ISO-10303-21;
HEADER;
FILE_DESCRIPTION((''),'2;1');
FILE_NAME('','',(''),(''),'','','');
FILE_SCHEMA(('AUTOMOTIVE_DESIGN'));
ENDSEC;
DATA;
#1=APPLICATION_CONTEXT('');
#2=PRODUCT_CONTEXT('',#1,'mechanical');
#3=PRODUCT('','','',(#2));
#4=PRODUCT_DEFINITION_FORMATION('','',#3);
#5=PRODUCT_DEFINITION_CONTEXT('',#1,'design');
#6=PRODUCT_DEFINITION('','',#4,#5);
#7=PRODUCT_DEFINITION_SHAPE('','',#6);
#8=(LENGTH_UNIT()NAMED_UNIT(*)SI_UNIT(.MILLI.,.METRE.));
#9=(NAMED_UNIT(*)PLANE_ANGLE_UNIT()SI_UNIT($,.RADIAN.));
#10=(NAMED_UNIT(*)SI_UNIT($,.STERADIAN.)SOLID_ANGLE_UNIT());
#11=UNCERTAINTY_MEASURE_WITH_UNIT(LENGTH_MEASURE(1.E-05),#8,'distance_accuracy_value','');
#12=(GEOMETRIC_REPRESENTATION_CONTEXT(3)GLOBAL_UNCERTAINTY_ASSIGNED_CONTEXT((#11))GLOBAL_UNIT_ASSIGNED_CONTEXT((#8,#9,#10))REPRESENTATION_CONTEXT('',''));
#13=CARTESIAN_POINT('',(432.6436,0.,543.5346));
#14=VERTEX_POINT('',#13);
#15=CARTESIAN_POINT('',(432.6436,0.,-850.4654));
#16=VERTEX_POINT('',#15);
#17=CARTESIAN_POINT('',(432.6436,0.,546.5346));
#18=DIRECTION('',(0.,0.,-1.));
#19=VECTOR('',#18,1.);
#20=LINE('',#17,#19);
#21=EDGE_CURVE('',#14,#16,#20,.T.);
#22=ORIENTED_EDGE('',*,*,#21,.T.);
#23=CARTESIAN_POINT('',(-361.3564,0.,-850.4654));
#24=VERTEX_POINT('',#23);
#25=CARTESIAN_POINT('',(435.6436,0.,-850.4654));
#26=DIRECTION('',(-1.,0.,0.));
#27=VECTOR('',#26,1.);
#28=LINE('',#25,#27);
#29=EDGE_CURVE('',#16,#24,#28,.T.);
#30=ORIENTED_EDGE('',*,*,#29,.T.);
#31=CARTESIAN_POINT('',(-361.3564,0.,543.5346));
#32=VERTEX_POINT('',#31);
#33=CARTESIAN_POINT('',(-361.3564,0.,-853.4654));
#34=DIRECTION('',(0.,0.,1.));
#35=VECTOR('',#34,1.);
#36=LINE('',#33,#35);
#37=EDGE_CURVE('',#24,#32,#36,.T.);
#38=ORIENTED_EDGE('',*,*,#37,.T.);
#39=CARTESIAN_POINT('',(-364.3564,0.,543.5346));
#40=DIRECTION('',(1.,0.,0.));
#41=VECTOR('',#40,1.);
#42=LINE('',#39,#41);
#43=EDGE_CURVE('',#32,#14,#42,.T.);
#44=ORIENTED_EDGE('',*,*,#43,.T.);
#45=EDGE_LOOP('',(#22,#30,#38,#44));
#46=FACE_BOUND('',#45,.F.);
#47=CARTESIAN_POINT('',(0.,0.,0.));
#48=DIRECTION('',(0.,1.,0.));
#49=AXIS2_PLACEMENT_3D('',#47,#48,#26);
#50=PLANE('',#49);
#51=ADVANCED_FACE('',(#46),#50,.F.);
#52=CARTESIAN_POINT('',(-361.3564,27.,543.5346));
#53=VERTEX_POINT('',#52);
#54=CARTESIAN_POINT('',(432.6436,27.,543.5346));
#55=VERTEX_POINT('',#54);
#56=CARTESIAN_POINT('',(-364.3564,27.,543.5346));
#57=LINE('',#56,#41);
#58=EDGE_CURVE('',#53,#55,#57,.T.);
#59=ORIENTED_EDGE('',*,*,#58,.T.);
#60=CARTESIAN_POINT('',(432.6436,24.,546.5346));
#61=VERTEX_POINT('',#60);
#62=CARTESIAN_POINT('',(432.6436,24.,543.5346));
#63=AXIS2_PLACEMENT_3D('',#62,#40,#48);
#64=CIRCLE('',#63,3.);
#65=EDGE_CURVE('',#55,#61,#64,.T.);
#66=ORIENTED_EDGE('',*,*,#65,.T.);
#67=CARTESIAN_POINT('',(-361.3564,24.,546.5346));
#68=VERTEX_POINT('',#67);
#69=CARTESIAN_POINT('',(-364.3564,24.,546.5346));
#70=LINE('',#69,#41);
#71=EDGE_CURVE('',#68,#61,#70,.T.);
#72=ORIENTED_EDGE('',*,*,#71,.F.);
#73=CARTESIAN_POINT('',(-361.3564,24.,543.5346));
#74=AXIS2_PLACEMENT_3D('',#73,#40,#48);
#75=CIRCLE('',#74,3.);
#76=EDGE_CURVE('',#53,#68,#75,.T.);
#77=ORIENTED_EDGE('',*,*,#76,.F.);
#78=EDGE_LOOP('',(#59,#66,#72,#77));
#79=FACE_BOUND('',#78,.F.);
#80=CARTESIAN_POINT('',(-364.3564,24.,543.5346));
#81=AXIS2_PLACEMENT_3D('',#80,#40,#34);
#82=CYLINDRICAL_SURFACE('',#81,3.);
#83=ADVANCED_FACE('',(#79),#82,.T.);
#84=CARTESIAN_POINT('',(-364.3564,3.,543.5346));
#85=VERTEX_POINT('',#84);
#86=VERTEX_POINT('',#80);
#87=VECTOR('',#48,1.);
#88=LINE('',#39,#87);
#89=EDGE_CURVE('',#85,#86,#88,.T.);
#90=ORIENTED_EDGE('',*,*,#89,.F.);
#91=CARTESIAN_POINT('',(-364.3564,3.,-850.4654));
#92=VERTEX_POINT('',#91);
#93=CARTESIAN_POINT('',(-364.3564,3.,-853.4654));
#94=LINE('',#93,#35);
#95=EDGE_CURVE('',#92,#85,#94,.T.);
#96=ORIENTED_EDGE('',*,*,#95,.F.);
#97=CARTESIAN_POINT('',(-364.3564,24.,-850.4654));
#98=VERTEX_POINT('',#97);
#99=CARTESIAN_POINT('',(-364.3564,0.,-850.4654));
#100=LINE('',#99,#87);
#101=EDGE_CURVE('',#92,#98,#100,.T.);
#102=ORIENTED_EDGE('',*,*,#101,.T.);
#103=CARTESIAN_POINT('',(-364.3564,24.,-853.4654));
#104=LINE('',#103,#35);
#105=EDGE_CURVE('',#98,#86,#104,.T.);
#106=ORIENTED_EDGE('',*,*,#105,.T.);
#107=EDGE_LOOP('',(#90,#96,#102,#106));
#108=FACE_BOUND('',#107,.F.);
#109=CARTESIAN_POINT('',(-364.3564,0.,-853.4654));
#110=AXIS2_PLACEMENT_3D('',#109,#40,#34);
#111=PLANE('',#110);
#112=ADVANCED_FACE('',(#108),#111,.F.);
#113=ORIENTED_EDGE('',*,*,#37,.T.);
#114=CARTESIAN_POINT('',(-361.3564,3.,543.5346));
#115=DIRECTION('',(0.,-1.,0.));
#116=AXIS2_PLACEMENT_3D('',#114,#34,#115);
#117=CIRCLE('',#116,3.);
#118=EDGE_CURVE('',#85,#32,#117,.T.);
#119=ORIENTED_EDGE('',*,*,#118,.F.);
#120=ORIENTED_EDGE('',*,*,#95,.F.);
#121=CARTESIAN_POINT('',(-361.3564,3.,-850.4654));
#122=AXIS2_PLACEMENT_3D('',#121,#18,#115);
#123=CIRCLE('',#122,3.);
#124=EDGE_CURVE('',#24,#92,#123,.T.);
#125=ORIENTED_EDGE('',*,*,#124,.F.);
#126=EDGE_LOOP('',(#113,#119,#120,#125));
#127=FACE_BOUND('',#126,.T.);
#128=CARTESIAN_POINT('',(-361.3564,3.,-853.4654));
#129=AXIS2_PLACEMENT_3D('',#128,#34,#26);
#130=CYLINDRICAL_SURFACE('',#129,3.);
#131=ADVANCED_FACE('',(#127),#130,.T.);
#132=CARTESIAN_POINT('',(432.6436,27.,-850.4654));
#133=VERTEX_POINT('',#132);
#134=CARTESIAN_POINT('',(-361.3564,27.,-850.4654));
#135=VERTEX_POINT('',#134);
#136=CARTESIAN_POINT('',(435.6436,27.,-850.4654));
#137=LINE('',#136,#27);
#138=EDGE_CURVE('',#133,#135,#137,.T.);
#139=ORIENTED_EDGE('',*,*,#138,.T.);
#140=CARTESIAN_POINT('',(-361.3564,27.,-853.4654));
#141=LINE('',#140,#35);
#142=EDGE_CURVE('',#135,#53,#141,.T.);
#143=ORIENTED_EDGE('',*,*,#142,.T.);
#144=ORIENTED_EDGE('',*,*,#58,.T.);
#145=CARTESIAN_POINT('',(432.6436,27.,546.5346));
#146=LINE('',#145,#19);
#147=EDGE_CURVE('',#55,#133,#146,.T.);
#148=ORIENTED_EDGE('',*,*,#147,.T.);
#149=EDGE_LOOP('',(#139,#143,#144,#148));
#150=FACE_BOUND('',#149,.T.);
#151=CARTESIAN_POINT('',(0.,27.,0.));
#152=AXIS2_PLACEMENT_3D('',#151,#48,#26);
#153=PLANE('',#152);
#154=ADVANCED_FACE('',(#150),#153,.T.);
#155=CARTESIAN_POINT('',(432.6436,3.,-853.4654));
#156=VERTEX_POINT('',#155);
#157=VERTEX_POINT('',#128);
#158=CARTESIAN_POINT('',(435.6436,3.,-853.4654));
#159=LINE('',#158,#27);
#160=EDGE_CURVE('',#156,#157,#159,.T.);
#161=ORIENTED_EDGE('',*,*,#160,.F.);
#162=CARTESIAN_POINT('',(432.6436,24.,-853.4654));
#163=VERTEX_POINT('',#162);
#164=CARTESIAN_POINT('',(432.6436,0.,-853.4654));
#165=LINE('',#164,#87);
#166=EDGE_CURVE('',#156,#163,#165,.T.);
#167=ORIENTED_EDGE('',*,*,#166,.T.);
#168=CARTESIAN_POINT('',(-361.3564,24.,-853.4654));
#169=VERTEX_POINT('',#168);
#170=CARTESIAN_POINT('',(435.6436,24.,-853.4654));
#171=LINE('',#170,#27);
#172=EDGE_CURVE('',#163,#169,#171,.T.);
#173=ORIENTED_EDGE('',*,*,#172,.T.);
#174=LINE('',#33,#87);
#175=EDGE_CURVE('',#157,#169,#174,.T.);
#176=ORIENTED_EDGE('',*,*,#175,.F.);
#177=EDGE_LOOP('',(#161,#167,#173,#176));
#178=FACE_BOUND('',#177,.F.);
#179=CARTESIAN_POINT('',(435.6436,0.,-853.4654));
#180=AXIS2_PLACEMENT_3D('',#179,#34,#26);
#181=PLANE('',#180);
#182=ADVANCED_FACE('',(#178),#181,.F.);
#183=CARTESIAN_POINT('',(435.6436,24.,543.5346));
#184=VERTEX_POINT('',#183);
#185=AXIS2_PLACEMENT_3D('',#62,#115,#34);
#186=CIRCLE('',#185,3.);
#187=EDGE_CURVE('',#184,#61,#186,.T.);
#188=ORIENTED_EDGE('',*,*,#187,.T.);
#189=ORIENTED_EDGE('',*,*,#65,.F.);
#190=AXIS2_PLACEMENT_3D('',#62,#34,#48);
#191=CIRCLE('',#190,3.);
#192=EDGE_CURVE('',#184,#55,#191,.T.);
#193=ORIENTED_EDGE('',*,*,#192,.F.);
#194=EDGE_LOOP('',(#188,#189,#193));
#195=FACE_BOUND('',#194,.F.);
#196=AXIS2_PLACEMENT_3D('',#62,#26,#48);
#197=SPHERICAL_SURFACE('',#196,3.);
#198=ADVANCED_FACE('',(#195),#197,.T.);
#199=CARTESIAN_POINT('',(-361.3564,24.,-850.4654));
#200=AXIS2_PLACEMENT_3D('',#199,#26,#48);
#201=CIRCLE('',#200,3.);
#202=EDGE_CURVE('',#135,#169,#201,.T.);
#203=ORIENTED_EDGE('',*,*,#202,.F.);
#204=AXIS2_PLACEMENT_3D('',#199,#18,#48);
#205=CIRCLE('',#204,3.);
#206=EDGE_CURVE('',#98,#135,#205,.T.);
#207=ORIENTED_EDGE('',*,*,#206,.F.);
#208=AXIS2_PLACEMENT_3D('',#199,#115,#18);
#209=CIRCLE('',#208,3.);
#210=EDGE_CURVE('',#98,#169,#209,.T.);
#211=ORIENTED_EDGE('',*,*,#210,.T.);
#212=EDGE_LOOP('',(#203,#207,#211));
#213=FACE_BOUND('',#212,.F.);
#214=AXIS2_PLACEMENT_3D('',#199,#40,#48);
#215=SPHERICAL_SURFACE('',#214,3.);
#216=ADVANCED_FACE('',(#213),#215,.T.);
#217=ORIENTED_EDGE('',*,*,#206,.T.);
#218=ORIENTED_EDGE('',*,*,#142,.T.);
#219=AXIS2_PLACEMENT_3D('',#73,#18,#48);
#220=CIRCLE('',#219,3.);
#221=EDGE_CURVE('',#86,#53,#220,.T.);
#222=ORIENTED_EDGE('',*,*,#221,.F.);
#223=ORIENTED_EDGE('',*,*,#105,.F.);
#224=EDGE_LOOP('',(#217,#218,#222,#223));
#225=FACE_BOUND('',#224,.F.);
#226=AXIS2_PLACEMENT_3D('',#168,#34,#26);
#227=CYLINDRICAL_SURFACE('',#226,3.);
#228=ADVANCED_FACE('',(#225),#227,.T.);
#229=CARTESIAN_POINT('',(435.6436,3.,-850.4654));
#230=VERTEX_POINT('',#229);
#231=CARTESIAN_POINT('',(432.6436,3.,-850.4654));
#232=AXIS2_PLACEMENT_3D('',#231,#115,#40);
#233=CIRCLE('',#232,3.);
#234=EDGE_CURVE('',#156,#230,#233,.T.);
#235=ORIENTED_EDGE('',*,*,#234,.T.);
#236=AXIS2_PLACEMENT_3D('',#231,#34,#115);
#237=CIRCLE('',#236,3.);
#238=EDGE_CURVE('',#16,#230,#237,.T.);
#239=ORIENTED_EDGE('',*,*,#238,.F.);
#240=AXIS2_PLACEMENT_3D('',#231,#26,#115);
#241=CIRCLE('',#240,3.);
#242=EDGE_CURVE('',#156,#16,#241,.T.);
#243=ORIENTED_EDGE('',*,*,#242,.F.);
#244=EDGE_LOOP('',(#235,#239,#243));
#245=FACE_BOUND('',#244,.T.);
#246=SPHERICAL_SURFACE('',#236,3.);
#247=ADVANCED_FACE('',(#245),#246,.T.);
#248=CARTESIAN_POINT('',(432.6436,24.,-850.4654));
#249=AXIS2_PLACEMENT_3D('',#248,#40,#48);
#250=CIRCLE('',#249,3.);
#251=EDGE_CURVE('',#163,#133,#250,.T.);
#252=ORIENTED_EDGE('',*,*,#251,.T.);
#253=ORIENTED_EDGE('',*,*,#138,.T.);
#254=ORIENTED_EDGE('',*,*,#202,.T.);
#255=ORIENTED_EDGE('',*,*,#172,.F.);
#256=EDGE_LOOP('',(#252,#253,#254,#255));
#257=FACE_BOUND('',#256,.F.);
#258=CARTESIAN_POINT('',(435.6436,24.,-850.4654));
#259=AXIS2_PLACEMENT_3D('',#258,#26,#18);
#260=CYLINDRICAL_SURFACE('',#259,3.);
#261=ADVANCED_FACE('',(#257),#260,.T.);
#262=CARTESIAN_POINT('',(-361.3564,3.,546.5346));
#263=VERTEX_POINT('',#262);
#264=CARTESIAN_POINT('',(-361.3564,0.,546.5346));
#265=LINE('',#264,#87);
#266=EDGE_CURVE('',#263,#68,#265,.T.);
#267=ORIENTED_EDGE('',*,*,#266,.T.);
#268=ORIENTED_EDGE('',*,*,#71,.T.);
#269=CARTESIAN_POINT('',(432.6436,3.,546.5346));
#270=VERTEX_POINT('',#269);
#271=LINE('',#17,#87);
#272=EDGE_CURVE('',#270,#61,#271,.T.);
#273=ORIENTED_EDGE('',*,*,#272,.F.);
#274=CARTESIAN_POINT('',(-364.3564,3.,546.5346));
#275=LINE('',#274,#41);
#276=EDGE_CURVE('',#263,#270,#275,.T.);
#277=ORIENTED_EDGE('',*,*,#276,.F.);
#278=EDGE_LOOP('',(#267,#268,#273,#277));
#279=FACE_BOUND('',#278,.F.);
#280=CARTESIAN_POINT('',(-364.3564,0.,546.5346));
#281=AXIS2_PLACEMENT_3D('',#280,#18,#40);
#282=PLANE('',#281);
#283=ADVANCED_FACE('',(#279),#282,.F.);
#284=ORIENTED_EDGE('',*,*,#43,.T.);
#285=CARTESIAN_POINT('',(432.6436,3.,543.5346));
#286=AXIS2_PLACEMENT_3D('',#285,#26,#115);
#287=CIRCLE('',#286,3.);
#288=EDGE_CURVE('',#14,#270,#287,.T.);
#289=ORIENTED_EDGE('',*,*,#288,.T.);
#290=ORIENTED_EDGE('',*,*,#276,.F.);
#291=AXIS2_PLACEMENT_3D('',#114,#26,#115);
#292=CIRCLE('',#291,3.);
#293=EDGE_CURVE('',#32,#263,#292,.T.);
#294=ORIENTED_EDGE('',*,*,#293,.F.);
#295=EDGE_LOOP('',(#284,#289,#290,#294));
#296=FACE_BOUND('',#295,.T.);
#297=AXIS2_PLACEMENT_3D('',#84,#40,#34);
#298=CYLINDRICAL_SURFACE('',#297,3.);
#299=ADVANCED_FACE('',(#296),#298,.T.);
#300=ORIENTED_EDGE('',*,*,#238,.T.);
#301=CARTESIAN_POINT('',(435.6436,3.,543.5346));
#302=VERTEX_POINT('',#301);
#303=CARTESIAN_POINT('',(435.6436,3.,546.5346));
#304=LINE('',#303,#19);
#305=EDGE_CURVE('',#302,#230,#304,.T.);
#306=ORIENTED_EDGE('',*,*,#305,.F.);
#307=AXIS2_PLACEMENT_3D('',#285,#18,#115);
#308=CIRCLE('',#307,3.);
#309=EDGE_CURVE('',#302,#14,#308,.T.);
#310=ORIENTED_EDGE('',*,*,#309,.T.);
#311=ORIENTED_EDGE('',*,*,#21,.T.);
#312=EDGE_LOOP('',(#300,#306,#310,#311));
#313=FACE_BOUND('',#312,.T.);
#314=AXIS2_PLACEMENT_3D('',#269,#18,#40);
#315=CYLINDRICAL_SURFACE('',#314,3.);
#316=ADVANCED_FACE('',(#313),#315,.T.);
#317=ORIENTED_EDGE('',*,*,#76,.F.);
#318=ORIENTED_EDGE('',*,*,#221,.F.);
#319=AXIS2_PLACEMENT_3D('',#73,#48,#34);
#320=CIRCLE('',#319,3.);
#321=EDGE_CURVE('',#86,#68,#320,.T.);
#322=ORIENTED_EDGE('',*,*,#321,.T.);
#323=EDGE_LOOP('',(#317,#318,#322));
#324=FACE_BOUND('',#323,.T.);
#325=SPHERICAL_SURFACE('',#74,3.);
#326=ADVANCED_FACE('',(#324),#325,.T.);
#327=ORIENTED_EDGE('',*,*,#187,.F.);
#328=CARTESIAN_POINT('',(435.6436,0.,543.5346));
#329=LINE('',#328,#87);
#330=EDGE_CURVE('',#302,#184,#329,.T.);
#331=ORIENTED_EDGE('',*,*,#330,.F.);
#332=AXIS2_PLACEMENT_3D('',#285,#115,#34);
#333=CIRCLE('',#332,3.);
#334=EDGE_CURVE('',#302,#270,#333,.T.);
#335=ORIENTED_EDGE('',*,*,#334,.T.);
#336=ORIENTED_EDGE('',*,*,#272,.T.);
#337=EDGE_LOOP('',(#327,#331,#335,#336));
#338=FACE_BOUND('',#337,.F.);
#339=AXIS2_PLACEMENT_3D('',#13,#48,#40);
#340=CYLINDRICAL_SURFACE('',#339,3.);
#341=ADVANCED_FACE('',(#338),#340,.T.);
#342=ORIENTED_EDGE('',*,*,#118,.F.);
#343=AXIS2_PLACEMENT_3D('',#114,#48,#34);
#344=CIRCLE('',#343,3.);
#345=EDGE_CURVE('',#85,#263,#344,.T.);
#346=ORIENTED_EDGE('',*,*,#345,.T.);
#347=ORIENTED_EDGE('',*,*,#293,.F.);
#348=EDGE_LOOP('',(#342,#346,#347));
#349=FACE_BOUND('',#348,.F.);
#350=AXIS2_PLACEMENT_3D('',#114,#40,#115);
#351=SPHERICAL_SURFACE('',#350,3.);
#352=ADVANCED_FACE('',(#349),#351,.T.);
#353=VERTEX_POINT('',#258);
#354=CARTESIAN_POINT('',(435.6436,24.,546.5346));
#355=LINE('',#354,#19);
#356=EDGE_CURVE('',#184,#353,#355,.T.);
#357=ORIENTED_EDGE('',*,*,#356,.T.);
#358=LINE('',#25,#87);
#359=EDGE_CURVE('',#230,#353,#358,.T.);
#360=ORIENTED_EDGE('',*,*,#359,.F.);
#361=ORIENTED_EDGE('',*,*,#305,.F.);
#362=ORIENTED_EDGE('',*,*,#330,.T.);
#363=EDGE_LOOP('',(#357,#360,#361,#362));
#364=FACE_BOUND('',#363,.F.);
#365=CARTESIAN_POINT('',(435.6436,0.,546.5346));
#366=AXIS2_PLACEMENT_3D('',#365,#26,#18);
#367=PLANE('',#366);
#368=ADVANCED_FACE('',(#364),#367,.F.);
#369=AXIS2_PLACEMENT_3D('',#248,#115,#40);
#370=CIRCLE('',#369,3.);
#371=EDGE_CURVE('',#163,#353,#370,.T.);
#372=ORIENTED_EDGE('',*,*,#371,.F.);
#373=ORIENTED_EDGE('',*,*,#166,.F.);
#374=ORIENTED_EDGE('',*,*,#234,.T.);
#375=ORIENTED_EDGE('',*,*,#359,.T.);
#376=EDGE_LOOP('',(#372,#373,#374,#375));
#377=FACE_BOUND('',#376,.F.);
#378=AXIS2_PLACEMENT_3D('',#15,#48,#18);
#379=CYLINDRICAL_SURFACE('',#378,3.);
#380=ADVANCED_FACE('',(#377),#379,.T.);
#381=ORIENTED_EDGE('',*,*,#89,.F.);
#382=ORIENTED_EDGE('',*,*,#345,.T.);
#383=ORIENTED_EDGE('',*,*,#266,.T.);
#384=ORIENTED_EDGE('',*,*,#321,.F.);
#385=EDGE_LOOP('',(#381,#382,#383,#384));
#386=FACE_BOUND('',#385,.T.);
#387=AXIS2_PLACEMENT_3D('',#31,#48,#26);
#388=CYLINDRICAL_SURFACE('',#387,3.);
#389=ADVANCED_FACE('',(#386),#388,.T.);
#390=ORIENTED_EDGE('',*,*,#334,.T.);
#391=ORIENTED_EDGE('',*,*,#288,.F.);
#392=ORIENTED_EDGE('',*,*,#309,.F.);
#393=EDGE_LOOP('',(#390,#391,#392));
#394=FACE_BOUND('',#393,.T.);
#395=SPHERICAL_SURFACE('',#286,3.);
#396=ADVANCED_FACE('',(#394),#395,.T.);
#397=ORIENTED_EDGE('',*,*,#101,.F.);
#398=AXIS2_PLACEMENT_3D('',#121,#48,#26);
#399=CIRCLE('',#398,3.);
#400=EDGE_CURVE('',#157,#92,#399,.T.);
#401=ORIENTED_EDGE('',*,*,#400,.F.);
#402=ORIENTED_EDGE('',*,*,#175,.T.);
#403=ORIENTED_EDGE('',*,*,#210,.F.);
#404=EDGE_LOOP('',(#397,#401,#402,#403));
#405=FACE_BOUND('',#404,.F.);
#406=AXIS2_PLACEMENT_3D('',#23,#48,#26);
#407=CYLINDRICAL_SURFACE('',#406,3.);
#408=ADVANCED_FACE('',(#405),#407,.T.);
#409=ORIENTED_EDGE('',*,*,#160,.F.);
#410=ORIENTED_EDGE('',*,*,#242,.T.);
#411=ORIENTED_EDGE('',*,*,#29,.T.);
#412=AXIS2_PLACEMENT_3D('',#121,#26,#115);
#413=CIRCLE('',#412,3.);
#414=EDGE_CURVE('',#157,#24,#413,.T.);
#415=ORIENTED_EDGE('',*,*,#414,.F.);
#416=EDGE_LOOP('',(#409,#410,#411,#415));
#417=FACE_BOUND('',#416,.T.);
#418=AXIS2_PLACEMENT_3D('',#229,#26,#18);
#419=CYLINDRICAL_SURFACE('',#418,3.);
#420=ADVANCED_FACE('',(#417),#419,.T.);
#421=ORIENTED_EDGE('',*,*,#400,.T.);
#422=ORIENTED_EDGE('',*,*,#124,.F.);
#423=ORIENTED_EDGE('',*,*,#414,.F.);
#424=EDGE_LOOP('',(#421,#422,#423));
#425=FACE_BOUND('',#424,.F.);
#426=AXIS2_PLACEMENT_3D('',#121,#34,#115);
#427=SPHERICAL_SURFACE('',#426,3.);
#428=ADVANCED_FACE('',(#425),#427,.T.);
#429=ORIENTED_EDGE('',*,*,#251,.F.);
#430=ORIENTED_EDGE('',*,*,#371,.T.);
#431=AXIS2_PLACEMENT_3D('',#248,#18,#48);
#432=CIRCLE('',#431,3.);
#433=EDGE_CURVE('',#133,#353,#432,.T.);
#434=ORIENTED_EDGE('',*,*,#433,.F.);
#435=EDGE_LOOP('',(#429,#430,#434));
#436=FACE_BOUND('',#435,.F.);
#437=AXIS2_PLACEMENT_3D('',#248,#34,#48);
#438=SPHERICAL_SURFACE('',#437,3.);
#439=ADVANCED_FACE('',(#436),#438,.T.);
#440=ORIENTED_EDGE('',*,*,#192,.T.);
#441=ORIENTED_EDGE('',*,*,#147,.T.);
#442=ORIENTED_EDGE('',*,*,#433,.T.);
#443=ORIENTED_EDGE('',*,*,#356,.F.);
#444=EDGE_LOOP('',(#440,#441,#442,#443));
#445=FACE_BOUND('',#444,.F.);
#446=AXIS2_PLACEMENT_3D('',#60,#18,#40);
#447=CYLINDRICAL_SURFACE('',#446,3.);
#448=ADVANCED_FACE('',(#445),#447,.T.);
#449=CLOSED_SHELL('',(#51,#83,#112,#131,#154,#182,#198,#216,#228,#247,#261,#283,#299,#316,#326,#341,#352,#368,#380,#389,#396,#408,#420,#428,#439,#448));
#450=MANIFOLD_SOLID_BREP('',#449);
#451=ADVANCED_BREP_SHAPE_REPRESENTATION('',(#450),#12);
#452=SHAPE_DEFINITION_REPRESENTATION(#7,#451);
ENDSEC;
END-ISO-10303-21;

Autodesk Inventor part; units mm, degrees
ref_plane "YZ Plane" through (0, 0, 0) normal (1, 0, 0) x (0, 1, 0)
ref_plane "XZ Plane" through (0, 0, 0) normal (0, 1, 0) x (-1, 0, 0)
ref_plane "XY Plane" through (0, 0, 0) normal (0, 0, 1) x (1, 0, 0)
sketch "Sketch1" plane through (0, 0, 0) normal (0, 1, 0) x (-1, 0, 0)
  line L0 (364.3564, 546.5346) -> (-435.6436, 546.5346)
  line L1 (-435.6436, 546.5346) -> (-435.6436, -853.4654)
  line L2 (-435.6436, -853.4654) -> (364.3564, -853.4654)
  line L3 (364.3564, -853.4654) -> (364.3564, 546.5346)
  point P0 (0, 0)
  dimension "d0" = 800
  dimension "d1" = 1400
extrude "Extrusion1" add sketch "Sketch1" along normal blind 27
fillet "Fillet1" radius 3 12 edges at (35.6436, 27, 546.5346) (35.6436, 0, 546.5346) (435.6436, 0, -153.4654) (435.6436, 27, -153.4654) (35.6436, 27, -853.4654) (-364.3564, 27, -153.4654) (-364.3564, 0, -153.4654) (35.6436, 0, -853.4654) (-364.3564, 13.5, -853.4654) (435.6436, 13.5, -853.4654) (-364.3564, 13.5, 546.5346) (435.6436, 13.5, 546.5346)
properties part number "tabletop" material "Oak Glued"
